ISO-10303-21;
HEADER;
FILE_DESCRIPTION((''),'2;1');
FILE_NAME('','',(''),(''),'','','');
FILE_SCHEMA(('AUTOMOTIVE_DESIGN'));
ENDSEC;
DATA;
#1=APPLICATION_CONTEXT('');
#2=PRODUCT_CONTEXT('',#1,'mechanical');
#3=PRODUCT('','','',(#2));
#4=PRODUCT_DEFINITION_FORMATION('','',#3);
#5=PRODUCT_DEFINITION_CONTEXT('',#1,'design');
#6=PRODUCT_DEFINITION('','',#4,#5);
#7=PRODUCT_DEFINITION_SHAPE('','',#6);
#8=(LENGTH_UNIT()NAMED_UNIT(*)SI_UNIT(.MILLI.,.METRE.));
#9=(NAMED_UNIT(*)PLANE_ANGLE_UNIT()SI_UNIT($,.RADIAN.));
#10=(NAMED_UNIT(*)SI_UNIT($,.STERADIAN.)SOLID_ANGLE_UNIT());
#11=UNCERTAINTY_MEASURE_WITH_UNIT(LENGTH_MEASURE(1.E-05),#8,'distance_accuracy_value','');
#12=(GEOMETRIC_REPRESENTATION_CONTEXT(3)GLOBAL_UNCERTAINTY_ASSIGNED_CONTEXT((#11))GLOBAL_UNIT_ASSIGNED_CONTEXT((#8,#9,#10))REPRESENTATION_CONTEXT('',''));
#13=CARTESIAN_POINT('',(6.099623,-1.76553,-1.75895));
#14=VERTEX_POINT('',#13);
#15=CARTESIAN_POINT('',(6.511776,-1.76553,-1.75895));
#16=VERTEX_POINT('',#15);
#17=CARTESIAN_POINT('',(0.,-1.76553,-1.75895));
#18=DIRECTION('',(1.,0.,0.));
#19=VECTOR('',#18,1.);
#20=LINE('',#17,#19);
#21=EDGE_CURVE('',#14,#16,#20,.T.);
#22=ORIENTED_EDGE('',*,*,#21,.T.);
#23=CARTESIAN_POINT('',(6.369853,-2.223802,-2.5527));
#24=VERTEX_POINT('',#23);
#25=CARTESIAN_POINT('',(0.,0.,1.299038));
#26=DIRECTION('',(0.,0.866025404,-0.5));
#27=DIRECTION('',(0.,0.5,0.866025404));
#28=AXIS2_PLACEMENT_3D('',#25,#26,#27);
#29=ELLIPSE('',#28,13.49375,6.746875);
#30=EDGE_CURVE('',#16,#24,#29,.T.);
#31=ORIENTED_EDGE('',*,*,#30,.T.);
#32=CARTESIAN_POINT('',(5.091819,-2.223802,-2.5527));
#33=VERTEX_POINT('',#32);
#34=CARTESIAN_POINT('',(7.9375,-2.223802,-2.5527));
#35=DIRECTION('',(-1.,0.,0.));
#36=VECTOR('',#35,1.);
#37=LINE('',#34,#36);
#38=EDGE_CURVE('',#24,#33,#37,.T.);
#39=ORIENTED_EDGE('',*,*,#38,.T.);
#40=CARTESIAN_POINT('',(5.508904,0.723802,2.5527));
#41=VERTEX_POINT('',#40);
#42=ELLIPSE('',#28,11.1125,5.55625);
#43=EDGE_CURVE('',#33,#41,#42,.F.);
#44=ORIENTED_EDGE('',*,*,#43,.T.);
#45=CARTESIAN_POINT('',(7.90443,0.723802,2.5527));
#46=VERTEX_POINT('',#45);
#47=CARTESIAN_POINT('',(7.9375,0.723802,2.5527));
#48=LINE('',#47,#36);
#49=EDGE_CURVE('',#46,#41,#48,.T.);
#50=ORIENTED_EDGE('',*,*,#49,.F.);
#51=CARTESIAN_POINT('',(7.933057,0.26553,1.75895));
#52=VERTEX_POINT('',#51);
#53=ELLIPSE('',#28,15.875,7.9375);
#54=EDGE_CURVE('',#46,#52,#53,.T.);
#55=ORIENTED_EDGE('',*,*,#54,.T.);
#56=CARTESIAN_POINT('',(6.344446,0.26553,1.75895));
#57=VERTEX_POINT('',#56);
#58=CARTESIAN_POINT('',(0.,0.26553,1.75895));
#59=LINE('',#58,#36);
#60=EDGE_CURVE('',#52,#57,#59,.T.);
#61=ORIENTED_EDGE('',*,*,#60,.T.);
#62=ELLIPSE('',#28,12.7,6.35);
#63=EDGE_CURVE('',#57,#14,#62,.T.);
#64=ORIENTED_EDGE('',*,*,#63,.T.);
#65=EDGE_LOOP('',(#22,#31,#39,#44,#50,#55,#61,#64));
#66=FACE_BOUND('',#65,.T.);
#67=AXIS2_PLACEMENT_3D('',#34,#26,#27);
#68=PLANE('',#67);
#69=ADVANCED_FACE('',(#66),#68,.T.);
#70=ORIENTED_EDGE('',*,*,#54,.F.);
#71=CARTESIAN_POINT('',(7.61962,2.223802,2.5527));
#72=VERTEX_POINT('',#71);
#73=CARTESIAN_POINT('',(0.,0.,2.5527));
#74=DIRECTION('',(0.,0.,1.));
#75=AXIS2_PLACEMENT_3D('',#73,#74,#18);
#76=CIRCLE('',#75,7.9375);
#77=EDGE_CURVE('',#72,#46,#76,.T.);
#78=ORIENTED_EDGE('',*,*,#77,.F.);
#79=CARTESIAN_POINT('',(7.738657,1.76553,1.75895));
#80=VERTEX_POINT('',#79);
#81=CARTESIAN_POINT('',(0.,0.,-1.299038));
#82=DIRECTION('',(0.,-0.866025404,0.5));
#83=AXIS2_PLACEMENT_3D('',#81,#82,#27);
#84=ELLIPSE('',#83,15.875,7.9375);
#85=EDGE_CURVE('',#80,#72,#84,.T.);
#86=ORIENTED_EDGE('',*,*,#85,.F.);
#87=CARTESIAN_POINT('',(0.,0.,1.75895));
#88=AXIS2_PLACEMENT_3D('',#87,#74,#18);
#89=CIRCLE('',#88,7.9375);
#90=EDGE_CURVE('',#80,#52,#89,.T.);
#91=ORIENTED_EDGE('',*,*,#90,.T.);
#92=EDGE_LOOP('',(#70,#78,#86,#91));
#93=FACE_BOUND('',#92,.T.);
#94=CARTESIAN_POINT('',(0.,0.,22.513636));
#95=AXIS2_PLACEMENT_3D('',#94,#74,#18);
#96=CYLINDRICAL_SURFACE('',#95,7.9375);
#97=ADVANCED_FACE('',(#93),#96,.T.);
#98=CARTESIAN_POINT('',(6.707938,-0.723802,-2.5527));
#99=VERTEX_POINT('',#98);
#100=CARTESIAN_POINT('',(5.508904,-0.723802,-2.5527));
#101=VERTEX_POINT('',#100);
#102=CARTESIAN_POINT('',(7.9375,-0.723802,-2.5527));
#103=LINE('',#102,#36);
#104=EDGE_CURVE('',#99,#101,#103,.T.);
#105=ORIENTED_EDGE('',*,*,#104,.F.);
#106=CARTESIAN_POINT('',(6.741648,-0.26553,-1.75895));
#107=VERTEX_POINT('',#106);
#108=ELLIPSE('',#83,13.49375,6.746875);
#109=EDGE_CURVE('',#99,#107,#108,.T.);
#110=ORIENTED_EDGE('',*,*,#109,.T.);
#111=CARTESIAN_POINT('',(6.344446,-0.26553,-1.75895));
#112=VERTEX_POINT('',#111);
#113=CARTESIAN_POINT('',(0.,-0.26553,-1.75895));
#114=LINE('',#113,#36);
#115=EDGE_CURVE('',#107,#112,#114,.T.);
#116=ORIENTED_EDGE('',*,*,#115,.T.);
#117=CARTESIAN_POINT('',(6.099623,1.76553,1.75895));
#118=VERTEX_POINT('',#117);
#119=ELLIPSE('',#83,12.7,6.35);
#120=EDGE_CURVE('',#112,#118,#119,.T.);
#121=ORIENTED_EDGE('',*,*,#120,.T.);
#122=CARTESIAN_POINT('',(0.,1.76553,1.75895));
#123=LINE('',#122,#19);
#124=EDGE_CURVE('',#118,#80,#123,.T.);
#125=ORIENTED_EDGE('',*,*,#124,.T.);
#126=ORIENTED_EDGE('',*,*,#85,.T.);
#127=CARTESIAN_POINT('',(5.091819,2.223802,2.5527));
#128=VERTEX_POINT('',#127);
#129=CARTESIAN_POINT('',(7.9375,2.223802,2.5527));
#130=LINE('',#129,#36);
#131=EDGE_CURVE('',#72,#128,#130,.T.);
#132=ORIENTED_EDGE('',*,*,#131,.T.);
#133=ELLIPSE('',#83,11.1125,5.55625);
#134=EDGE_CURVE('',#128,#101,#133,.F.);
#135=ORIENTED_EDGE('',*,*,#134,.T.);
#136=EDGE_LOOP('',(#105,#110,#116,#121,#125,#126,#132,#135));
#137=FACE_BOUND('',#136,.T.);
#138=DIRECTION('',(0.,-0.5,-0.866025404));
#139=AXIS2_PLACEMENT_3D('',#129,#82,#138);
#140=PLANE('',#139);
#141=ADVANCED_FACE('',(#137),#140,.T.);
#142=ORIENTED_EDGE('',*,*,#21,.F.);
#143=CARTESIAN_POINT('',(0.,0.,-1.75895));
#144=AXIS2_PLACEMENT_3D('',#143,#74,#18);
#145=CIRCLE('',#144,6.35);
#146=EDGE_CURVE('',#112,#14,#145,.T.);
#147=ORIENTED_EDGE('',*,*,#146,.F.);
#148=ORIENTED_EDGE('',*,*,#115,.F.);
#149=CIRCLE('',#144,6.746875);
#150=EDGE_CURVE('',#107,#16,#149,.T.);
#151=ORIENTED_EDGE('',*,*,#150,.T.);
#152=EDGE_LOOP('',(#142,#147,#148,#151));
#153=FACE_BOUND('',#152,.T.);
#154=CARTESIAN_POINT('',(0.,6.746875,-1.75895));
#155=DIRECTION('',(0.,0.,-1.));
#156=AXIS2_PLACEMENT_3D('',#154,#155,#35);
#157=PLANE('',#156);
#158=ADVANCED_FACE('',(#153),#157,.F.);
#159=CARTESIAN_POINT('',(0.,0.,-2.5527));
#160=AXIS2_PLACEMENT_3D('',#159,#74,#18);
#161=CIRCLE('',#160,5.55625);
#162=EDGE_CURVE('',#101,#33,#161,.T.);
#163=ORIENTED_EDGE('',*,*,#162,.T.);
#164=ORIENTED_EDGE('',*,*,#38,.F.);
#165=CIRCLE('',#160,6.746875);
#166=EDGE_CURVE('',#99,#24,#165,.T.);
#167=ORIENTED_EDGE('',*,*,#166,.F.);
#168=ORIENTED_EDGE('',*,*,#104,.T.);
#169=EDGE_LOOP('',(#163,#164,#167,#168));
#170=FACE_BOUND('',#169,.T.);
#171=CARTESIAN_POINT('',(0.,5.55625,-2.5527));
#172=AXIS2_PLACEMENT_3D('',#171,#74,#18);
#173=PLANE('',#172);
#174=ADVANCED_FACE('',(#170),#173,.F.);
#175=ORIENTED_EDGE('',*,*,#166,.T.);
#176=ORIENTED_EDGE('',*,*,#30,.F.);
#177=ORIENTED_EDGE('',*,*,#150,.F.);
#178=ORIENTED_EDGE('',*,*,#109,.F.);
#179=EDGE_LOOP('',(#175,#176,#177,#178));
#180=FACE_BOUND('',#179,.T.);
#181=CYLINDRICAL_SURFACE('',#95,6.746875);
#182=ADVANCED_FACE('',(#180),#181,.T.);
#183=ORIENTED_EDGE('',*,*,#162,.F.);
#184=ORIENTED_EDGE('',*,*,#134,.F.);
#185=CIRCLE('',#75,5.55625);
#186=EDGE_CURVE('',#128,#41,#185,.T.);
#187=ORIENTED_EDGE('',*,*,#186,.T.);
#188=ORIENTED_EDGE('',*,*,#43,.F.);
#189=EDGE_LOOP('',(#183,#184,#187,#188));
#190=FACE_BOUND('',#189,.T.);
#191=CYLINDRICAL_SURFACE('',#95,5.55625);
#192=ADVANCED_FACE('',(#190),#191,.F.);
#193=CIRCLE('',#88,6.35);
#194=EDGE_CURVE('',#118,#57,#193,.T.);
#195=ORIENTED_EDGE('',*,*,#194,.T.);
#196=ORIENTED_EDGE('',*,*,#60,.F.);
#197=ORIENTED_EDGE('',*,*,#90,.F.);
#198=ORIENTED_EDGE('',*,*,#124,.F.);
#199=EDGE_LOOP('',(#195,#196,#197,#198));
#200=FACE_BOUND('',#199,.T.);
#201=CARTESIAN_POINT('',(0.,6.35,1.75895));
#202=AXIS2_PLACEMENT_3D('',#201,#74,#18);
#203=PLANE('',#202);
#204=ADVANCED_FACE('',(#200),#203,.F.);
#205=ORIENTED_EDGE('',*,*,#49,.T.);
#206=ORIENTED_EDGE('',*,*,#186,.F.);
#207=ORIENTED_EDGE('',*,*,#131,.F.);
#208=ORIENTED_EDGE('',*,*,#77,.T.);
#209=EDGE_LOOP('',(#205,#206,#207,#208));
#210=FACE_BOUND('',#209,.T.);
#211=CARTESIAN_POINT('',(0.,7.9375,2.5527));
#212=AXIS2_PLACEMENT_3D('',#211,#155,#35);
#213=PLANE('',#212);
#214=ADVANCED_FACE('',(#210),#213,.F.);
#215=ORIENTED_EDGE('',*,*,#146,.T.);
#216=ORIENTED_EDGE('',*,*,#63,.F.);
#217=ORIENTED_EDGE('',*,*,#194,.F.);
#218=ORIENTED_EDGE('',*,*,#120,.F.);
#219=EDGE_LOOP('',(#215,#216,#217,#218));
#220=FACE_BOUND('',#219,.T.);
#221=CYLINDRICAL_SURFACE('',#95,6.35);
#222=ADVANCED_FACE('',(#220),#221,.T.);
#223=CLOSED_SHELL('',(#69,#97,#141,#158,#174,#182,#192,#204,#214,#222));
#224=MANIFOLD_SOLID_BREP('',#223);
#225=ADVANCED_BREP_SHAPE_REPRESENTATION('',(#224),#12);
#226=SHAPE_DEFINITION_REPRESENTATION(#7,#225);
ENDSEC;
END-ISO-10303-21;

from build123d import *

# Parameters (mm, degrees)
CUT_EXTRUDE1_DEPTH = 12.511910779


with BuildPart() as part:
    # Sketch1 → Revolve1 (revolve)
    with BuildSketch(Plane(origin=(0, 0, 0), x_dir=(0, 0, -1), z_dir=(1, 0, 0)), mode=Mode.PRIVATE) as revolve1_sk:
        Polygon((-2.5527, 5.55625), (2.5527, 5.55625), (2.5527, 6.746875), (1.75895, 6.746875), (1.75895, 6.35), (-1.75895, 6.35), (-1.75895, 7.9375), (-2.5527, 7.9375), align=None)
    revolve(revolve1_sk.sketch.rotate(Axis((0, 0, 22.513636364), (0, 0, -1)), 90), axis=Axis((0, 0, 22.513636364), (0, 0, -1)))

    # Sketch2 → Cut-Extrude1 (cut, through all)
    with BuildSketch(Plane(origin=(0, 0, 0), x_dir=(0, 0, -1), z_dir=(1, 0, 0))):
        Polygon((-2.5527, 0.723802032), (-2.5527, 2.223802032), (2.5527, -0.723802032), (2.5527, -2.223802032), align=None)
    extrude(amount=CUT_EXTRUDE1_DEPTH, mode=Mode.SUBTRACT)


solid = part.part
